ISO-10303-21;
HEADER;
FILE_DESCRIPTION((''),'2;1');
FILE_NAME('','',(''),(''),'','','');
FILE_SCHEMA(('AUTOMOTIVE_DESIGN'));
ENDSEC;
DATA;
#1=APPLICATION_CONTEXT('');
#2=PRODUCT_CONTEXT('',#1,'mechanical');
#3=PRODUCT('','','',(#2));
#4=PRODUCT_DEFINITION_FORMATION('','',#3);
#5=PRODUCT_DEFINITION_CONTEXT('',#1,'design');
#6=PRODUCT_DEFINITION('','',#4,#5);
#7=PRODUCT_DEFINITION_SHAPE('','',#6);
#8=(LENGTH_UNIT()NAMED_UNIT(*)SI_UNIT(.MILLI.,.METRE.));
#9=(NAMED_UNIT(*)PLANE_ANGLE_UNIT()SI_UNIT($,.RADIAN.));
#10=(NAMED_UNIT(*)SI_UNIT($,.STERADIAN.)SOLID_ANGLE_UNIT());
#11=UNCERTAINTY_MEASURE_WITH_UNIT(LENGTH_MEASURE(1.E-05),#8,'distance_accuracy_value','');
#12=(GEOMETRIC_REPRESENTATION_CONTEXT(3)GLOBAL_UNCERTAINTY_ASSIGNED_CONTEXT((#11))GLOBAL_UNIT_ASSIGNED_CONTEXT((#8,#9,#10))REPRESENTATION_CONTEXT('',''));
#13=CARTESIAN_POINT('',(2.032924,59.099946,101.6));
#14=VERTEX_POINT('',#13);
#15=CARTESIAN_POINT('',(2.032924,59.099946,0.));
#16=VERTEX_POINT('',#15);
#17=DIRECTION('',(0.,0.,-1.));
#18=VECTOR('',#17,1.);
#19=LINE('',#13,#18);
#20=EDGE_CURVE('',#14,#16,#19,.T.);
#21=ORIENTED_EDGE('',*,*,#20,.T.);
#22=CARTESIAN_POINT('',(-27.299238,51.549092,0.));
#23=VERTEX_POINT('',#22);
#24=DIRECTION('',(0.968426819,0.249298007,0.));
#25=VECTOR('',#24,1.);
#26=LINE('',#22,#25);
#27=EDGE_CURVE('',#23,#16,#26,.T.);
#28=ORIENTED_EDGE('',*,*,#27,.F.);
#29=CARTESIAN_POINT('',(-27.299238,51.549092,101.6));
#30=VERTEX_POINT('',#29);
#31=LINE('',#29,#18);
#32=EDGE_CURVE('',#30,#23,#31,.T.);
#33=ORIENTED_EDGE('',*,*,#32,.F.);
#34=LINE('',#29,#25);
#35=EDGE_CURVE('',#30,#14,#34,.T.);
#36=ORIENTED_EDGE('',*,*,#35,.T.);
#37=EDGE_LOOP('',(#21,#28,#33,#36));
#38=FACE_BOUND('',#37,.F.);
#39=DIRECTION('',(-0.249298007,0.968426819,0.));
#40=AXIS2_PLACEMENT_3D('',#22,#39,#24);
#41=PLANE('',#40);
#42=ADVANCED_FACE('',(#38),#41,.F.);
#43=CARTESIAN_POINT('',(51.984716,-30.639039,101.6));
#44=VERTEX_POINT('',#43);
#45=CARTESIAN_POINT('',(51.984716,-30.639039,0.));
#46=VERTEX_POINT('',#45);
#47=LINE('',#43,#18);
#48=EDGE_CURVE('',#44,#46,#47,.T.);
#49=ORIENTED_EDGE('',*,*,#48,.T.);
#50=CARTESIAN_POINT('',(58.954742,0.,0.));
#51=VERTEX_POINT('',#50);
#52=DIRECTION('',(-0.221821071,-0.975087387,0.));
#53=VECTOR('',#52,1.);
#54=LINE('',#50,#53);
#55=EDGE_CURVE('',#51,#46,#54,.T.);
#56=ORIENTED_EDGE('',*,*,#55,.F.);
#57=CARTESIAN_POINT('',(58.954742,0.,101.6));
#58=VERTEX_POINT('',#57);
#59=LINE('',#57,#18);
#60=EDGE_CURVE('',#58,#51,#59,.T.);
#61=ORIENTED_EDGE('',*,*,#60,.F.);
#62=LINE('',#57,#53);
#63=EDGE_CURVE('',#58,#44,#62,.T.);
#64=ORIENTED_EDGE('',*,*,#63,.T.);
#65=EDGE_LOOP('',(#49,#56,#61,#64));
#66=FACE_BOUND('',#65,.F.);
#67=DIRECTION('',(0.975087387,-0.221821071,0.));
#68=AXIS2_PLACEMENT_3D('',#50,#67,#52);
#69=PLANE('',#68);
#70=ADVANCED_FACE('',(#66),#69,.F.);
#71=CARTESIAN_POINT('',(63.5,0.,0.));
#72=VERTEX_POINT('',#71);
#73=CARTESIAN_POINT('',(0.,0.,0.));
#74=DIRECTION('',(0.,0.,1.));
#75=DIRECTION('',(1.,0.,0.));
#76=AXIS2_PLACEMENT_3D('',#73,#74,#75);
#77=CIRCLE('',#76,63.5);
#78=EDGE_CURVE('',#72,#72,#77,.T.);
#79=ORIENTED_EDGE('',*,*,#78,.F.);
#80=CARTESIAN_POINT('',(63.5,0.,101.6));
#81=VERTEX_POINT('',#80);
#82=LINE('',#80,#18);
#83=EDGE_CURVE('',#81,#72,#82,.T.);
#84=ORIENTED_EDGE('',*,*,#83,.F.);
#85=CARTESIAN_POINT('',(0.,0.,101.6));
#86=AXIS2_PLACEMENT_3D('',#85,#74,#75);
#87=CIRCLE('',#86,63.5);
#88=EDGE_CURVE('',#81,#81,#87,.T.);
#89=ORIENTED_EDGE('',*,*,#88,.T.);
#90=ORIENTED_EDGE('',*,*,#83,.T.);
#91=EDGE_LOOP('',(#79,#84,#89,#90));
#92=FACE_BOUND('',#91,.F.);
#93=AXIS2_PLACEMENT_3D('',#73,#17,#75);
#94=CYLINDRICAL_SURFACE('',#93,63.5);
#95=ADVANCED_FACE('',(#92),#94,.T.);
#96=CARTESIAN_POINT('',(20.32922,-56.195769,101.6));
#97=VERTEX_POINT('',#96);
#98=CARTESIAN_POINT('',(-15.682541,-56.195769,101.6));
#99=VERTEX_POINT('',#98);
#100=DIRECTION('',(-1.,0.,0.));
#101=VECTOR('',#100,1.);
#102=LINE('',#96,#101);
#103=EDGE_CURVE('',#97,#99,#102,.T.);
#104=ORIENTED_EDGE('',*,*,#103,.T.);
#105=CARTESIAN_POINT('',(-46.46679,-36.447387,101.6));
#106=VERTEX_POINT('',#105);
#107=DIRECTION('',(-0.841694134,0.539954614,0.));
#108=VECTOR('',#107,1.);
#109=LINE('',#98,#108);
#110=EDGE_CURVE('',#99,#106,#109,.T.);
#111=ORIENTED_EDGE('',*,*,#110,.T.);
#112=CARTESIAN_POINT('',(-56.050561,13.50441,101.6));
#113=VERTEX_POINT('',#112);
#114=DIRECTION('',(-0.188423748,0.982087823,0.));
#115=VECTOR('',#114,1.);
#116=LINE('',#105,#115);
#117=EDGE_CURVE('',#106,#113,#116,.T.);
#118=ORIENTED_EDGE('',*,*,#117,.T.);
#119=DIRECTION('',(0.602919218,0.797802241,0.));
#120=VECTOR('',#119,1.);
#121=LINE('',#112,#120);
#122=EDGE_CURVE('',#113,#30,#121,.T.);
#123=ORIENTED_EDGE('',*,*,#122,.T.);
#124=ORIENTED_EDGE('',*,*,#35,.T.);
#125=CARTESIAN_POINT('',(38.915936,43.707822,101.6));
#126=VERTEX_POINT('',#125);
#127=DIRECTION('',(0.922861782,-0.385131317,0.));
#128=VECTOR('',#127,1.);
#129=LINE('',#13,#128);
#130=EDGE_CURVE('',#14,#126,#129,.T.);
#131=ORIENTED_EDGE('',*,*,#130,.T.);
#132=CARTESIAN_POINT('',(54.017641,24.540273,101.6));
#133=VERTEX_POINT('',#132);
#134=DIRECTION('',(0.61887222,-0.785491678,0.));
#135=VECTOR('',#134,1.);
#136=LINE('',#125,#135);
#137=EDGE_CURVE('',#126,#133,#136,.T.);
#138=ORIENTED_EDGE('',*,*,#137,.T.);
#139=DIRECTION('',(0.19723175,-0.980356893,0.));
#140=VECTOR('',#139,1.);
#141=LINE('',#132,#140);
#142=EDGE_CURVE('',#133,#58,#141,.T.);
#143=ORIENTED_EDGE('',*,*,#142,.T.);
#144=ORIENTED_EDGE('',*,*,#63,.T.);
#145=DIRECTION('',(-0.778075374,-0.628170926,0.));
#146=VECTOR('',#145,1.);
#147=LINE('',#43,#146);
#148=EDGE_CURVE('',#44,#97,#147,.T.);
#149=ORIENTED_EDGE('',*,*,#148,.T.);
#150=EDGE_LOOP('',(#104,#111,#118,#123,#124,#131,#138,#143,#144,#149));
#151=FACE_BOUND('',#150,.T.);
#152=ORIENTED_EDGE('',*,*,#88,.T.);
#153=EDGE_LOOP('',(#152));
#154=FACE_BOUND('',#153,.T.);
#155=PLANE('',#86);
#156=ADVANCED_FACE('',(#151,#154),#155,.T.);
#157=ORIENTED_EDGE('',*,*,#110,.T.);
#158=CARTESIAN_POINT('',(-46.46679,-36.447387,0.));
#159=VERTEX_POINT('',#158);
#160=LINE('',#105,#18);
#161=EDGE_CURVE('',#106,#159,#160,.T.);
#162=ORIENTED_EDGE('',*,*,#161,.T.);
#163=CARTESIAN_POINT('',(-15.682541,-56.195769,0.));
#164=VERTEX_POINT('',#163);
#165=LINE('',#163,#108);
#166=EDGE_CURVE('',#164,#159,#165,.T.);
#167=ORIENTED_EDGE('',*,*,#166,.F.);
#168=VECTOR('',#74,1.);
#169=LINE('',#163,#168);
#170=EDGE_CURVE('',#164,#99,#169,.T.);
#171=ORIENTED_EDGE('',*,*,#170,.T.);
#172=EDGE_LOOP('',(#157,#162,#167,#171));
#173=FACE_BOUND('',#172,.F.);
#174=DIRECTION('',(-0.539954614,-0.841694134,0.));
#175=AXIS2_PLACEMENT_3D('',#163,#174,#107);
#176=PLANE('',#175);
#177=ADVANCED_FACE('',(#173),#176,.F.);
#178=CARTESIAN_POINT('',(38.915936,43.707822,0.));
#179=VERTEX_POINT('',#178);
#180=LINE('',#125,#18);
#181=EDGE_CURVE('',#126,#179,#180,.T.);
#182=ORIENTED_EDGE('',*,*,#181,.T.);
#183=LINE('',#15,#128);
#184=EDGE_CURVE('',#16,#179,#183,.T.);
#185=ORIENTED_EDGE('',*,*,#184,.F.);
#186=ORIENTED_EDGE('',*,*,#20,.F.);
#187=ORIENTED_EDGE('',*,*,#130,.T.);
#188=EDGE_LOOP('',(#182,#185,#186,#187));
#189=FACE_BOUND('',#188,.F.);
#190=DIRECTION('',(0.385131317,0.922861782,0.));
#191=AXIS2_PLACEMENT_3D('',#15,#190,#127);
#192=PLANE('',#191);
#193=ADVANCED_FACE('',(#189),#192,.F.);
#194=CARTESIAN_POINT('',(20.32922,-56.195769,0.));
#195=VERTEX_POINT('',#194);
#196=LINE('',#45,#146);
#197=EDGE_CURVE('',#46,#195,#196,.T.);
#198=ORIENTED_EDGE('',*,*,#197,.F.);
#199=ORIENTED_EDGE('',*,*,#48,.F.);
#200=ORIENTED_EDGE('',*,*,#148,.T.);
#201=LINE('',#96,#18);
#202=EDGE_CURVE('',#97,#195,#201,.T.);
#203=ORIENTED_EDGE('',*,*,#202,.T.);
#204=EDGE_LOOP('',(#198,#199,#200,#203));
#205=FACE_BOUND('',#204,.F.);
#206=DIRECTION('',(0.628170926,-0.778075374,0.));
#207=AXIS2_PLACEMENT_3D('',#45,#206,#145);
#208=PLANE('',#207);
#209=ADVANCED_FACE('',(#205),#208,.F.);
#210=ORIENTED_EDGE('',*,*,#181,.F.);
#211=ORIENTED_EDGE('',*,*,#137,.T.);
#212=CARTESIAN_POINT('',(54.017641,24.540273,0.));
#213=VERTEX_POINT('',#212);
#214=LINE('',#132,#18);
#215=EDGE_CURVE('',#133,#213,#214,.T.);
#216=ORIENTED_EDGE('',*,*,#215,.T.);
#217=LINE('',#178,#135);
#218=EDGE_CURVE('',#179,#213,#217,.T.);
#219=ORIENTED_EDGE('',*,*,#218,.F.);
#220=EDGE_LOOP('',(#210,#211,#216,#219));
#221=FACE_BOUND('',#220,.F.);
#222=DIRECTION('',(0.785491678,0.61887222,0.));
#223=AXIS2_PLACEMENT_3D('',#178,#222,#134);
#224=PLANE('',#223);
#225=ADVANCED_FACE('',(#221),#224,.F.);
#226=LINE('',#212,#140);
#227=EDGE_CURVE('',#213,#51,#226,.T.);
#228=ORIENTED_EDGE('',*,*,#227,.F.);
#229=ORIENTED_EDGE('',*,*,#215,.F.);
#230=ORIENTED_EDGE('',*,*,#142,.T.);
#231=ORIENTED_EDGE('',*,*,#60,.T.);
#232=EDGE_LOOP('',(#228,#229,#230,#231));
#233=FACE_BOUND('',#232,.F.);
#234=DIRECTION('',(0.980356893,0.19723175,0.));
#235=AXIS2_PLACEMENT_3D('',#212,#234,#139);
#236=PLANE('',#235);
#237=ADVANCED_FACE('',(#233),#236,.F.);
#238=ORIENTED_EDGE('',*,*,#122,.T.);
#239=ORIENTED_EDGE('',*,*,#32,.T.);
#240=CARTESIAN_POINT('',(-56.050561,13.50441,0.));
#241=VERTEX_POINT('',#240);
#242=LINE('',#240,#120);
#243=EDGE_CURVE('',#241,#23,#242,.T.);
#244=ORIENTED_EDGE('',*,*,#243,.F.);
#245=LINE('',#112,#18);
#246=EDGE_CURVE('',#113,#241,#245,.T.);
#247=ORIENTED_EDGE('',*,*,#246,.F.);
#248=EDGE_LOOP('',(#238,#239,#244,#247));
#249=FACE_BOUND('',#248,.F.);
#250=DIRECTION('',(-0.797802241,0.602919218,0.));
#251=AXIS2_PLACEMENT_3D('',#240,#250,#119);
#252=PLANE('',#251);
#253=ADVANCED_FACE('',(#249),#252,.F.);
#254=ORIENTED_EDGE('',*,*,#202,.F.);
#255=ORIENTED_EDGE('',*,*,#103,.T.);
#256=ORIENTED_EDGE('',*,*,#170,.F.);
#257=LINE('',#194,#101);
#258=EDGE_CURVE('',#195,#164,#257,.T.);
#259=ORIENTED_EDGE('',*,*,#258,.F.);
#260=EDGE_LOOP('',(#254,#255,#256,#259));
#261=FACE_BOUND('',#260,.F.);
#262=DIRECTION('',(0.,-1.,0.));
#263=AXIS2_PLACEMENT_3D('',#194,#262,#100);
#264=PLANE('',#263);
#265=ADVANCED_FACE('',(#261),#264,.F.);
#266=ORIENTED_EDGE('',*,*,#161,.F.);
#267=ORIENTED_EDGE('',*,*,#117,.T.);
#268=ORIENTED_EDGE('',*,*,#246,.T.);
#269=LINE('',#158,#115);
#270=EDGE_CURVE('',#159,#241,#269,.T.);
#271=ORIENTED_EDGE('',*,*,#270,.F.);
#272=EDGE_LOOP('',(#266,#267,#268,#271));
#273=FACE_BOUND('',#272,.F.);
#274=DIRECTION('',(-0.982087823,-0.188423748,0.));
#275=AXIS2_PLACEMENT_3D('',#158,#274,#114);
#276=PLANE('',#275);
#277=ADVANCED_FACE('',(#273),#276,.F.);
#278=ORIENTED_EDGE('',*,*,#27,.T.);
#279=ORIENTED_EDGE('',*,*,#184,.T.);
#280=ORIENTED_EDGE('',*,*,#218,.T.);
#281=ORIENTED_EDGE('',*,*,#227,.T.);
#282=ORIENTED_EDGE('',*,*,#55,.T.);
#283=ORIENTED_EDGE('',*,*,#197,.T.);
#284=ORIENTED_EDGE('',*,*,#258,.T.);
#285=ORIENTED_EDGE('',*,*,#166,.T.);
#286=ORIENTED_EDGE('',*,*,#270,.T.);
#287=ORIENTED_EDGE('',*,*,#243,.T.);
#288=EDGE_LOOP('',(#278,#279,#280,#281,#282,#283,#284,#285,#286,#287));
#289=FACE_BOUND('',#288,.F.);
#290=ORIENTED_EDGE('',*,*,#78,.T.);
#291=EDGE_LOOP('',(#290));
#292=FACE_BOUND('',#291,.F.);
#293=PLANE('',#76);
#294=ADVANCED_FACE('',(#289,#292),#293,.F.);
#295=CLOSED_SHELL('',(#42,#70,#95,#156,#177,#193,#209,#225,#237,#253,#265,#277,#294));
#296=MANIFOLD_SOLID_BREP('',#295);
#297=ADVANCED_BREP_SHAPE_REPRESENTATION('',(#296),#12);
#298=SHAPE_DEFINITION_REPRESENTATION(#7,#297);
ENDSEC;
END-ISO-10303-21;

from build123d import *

# Parameters (mm, degrees)
F0_R     = 63.5
F1_DEPTH = 101.6
F2_DEPTH = 101.6
F3_DEPTH = 25.4
F4_DEPTH = 101.6


with BuildPart() as f1:
    # F0 (on Top) → F1 (new body)
    with BuildSketch(Plane.XY):
        Circle(F0_R)
        Polygon((-15.682541, -56.195769), (-46.46679, -36.447387), (-56.050561, 13.50441), (-27.299238, 51.549092), (2.032924, 59.099946), (38.915936, 43.707822), (54.017641, 24.540273), (58.954742, 0), (51.984716, -30.639039), (20.32922, -56.195769), align=None, mode=Mode.SUBTRACT)
    extrude(amount=F1_DEPTH)

    # F0 (on Top) → F2 (join)
    with BuildSketch(Plane.XY):
        Circle(F0_R)
        Polygon((-15.682541, -56.195769), (-46.46679, -36.447387), (-56.050561, 13.50441), (-27.299238, 51.549092), (2.032924, 59.099946), (38.915936, 43.707822), (54.017641, 24.540273), (58.954742, 0), (51.984716, -30.639039), (20.32922, -56.195769), align=None, mode=Mode.SUBTRACT)
    extrude(amount=F2_DEPTH)

    # F0 (on Top) → F3 (join)
    with BuildSketch(Plane.XY):
        Circle(F0_R)
        Polygon((-15.682541, -56.195769), (-46.46679, -36.447387), (-56.050561, 13.50441), (-27.299238, 51.549092), (2.032924, 59.099946), (38.915936, 43.707822), (54.017641, 24.540273), (58.954742, 0), (51.984716, -30.639039), (20.32922, -56.195769), align=None, mode=Mode.SUBTRACT)
    extrude(amount=F3_DEPTH)

    # F0 (on Top) → F4 (join)
    with BuildSketch(Plane.XY):
        Circle(F0_R)
        Polygon((-15.682541, -56.195769), (-46.46679, -36.447387), (-56.050561, 13.50441), (-27.299238, 51.549092), (2.032924, 59.099946), (38.915936, 43.707822), (54.017641, 24.540273), (58.954742, 0), (51.984716, -30.639039), (20.32922, -56.195769), align=None, mode=Mode.SUBTRACT)
    extrude(amount=F4_DEPTH)


solid = f1.part
